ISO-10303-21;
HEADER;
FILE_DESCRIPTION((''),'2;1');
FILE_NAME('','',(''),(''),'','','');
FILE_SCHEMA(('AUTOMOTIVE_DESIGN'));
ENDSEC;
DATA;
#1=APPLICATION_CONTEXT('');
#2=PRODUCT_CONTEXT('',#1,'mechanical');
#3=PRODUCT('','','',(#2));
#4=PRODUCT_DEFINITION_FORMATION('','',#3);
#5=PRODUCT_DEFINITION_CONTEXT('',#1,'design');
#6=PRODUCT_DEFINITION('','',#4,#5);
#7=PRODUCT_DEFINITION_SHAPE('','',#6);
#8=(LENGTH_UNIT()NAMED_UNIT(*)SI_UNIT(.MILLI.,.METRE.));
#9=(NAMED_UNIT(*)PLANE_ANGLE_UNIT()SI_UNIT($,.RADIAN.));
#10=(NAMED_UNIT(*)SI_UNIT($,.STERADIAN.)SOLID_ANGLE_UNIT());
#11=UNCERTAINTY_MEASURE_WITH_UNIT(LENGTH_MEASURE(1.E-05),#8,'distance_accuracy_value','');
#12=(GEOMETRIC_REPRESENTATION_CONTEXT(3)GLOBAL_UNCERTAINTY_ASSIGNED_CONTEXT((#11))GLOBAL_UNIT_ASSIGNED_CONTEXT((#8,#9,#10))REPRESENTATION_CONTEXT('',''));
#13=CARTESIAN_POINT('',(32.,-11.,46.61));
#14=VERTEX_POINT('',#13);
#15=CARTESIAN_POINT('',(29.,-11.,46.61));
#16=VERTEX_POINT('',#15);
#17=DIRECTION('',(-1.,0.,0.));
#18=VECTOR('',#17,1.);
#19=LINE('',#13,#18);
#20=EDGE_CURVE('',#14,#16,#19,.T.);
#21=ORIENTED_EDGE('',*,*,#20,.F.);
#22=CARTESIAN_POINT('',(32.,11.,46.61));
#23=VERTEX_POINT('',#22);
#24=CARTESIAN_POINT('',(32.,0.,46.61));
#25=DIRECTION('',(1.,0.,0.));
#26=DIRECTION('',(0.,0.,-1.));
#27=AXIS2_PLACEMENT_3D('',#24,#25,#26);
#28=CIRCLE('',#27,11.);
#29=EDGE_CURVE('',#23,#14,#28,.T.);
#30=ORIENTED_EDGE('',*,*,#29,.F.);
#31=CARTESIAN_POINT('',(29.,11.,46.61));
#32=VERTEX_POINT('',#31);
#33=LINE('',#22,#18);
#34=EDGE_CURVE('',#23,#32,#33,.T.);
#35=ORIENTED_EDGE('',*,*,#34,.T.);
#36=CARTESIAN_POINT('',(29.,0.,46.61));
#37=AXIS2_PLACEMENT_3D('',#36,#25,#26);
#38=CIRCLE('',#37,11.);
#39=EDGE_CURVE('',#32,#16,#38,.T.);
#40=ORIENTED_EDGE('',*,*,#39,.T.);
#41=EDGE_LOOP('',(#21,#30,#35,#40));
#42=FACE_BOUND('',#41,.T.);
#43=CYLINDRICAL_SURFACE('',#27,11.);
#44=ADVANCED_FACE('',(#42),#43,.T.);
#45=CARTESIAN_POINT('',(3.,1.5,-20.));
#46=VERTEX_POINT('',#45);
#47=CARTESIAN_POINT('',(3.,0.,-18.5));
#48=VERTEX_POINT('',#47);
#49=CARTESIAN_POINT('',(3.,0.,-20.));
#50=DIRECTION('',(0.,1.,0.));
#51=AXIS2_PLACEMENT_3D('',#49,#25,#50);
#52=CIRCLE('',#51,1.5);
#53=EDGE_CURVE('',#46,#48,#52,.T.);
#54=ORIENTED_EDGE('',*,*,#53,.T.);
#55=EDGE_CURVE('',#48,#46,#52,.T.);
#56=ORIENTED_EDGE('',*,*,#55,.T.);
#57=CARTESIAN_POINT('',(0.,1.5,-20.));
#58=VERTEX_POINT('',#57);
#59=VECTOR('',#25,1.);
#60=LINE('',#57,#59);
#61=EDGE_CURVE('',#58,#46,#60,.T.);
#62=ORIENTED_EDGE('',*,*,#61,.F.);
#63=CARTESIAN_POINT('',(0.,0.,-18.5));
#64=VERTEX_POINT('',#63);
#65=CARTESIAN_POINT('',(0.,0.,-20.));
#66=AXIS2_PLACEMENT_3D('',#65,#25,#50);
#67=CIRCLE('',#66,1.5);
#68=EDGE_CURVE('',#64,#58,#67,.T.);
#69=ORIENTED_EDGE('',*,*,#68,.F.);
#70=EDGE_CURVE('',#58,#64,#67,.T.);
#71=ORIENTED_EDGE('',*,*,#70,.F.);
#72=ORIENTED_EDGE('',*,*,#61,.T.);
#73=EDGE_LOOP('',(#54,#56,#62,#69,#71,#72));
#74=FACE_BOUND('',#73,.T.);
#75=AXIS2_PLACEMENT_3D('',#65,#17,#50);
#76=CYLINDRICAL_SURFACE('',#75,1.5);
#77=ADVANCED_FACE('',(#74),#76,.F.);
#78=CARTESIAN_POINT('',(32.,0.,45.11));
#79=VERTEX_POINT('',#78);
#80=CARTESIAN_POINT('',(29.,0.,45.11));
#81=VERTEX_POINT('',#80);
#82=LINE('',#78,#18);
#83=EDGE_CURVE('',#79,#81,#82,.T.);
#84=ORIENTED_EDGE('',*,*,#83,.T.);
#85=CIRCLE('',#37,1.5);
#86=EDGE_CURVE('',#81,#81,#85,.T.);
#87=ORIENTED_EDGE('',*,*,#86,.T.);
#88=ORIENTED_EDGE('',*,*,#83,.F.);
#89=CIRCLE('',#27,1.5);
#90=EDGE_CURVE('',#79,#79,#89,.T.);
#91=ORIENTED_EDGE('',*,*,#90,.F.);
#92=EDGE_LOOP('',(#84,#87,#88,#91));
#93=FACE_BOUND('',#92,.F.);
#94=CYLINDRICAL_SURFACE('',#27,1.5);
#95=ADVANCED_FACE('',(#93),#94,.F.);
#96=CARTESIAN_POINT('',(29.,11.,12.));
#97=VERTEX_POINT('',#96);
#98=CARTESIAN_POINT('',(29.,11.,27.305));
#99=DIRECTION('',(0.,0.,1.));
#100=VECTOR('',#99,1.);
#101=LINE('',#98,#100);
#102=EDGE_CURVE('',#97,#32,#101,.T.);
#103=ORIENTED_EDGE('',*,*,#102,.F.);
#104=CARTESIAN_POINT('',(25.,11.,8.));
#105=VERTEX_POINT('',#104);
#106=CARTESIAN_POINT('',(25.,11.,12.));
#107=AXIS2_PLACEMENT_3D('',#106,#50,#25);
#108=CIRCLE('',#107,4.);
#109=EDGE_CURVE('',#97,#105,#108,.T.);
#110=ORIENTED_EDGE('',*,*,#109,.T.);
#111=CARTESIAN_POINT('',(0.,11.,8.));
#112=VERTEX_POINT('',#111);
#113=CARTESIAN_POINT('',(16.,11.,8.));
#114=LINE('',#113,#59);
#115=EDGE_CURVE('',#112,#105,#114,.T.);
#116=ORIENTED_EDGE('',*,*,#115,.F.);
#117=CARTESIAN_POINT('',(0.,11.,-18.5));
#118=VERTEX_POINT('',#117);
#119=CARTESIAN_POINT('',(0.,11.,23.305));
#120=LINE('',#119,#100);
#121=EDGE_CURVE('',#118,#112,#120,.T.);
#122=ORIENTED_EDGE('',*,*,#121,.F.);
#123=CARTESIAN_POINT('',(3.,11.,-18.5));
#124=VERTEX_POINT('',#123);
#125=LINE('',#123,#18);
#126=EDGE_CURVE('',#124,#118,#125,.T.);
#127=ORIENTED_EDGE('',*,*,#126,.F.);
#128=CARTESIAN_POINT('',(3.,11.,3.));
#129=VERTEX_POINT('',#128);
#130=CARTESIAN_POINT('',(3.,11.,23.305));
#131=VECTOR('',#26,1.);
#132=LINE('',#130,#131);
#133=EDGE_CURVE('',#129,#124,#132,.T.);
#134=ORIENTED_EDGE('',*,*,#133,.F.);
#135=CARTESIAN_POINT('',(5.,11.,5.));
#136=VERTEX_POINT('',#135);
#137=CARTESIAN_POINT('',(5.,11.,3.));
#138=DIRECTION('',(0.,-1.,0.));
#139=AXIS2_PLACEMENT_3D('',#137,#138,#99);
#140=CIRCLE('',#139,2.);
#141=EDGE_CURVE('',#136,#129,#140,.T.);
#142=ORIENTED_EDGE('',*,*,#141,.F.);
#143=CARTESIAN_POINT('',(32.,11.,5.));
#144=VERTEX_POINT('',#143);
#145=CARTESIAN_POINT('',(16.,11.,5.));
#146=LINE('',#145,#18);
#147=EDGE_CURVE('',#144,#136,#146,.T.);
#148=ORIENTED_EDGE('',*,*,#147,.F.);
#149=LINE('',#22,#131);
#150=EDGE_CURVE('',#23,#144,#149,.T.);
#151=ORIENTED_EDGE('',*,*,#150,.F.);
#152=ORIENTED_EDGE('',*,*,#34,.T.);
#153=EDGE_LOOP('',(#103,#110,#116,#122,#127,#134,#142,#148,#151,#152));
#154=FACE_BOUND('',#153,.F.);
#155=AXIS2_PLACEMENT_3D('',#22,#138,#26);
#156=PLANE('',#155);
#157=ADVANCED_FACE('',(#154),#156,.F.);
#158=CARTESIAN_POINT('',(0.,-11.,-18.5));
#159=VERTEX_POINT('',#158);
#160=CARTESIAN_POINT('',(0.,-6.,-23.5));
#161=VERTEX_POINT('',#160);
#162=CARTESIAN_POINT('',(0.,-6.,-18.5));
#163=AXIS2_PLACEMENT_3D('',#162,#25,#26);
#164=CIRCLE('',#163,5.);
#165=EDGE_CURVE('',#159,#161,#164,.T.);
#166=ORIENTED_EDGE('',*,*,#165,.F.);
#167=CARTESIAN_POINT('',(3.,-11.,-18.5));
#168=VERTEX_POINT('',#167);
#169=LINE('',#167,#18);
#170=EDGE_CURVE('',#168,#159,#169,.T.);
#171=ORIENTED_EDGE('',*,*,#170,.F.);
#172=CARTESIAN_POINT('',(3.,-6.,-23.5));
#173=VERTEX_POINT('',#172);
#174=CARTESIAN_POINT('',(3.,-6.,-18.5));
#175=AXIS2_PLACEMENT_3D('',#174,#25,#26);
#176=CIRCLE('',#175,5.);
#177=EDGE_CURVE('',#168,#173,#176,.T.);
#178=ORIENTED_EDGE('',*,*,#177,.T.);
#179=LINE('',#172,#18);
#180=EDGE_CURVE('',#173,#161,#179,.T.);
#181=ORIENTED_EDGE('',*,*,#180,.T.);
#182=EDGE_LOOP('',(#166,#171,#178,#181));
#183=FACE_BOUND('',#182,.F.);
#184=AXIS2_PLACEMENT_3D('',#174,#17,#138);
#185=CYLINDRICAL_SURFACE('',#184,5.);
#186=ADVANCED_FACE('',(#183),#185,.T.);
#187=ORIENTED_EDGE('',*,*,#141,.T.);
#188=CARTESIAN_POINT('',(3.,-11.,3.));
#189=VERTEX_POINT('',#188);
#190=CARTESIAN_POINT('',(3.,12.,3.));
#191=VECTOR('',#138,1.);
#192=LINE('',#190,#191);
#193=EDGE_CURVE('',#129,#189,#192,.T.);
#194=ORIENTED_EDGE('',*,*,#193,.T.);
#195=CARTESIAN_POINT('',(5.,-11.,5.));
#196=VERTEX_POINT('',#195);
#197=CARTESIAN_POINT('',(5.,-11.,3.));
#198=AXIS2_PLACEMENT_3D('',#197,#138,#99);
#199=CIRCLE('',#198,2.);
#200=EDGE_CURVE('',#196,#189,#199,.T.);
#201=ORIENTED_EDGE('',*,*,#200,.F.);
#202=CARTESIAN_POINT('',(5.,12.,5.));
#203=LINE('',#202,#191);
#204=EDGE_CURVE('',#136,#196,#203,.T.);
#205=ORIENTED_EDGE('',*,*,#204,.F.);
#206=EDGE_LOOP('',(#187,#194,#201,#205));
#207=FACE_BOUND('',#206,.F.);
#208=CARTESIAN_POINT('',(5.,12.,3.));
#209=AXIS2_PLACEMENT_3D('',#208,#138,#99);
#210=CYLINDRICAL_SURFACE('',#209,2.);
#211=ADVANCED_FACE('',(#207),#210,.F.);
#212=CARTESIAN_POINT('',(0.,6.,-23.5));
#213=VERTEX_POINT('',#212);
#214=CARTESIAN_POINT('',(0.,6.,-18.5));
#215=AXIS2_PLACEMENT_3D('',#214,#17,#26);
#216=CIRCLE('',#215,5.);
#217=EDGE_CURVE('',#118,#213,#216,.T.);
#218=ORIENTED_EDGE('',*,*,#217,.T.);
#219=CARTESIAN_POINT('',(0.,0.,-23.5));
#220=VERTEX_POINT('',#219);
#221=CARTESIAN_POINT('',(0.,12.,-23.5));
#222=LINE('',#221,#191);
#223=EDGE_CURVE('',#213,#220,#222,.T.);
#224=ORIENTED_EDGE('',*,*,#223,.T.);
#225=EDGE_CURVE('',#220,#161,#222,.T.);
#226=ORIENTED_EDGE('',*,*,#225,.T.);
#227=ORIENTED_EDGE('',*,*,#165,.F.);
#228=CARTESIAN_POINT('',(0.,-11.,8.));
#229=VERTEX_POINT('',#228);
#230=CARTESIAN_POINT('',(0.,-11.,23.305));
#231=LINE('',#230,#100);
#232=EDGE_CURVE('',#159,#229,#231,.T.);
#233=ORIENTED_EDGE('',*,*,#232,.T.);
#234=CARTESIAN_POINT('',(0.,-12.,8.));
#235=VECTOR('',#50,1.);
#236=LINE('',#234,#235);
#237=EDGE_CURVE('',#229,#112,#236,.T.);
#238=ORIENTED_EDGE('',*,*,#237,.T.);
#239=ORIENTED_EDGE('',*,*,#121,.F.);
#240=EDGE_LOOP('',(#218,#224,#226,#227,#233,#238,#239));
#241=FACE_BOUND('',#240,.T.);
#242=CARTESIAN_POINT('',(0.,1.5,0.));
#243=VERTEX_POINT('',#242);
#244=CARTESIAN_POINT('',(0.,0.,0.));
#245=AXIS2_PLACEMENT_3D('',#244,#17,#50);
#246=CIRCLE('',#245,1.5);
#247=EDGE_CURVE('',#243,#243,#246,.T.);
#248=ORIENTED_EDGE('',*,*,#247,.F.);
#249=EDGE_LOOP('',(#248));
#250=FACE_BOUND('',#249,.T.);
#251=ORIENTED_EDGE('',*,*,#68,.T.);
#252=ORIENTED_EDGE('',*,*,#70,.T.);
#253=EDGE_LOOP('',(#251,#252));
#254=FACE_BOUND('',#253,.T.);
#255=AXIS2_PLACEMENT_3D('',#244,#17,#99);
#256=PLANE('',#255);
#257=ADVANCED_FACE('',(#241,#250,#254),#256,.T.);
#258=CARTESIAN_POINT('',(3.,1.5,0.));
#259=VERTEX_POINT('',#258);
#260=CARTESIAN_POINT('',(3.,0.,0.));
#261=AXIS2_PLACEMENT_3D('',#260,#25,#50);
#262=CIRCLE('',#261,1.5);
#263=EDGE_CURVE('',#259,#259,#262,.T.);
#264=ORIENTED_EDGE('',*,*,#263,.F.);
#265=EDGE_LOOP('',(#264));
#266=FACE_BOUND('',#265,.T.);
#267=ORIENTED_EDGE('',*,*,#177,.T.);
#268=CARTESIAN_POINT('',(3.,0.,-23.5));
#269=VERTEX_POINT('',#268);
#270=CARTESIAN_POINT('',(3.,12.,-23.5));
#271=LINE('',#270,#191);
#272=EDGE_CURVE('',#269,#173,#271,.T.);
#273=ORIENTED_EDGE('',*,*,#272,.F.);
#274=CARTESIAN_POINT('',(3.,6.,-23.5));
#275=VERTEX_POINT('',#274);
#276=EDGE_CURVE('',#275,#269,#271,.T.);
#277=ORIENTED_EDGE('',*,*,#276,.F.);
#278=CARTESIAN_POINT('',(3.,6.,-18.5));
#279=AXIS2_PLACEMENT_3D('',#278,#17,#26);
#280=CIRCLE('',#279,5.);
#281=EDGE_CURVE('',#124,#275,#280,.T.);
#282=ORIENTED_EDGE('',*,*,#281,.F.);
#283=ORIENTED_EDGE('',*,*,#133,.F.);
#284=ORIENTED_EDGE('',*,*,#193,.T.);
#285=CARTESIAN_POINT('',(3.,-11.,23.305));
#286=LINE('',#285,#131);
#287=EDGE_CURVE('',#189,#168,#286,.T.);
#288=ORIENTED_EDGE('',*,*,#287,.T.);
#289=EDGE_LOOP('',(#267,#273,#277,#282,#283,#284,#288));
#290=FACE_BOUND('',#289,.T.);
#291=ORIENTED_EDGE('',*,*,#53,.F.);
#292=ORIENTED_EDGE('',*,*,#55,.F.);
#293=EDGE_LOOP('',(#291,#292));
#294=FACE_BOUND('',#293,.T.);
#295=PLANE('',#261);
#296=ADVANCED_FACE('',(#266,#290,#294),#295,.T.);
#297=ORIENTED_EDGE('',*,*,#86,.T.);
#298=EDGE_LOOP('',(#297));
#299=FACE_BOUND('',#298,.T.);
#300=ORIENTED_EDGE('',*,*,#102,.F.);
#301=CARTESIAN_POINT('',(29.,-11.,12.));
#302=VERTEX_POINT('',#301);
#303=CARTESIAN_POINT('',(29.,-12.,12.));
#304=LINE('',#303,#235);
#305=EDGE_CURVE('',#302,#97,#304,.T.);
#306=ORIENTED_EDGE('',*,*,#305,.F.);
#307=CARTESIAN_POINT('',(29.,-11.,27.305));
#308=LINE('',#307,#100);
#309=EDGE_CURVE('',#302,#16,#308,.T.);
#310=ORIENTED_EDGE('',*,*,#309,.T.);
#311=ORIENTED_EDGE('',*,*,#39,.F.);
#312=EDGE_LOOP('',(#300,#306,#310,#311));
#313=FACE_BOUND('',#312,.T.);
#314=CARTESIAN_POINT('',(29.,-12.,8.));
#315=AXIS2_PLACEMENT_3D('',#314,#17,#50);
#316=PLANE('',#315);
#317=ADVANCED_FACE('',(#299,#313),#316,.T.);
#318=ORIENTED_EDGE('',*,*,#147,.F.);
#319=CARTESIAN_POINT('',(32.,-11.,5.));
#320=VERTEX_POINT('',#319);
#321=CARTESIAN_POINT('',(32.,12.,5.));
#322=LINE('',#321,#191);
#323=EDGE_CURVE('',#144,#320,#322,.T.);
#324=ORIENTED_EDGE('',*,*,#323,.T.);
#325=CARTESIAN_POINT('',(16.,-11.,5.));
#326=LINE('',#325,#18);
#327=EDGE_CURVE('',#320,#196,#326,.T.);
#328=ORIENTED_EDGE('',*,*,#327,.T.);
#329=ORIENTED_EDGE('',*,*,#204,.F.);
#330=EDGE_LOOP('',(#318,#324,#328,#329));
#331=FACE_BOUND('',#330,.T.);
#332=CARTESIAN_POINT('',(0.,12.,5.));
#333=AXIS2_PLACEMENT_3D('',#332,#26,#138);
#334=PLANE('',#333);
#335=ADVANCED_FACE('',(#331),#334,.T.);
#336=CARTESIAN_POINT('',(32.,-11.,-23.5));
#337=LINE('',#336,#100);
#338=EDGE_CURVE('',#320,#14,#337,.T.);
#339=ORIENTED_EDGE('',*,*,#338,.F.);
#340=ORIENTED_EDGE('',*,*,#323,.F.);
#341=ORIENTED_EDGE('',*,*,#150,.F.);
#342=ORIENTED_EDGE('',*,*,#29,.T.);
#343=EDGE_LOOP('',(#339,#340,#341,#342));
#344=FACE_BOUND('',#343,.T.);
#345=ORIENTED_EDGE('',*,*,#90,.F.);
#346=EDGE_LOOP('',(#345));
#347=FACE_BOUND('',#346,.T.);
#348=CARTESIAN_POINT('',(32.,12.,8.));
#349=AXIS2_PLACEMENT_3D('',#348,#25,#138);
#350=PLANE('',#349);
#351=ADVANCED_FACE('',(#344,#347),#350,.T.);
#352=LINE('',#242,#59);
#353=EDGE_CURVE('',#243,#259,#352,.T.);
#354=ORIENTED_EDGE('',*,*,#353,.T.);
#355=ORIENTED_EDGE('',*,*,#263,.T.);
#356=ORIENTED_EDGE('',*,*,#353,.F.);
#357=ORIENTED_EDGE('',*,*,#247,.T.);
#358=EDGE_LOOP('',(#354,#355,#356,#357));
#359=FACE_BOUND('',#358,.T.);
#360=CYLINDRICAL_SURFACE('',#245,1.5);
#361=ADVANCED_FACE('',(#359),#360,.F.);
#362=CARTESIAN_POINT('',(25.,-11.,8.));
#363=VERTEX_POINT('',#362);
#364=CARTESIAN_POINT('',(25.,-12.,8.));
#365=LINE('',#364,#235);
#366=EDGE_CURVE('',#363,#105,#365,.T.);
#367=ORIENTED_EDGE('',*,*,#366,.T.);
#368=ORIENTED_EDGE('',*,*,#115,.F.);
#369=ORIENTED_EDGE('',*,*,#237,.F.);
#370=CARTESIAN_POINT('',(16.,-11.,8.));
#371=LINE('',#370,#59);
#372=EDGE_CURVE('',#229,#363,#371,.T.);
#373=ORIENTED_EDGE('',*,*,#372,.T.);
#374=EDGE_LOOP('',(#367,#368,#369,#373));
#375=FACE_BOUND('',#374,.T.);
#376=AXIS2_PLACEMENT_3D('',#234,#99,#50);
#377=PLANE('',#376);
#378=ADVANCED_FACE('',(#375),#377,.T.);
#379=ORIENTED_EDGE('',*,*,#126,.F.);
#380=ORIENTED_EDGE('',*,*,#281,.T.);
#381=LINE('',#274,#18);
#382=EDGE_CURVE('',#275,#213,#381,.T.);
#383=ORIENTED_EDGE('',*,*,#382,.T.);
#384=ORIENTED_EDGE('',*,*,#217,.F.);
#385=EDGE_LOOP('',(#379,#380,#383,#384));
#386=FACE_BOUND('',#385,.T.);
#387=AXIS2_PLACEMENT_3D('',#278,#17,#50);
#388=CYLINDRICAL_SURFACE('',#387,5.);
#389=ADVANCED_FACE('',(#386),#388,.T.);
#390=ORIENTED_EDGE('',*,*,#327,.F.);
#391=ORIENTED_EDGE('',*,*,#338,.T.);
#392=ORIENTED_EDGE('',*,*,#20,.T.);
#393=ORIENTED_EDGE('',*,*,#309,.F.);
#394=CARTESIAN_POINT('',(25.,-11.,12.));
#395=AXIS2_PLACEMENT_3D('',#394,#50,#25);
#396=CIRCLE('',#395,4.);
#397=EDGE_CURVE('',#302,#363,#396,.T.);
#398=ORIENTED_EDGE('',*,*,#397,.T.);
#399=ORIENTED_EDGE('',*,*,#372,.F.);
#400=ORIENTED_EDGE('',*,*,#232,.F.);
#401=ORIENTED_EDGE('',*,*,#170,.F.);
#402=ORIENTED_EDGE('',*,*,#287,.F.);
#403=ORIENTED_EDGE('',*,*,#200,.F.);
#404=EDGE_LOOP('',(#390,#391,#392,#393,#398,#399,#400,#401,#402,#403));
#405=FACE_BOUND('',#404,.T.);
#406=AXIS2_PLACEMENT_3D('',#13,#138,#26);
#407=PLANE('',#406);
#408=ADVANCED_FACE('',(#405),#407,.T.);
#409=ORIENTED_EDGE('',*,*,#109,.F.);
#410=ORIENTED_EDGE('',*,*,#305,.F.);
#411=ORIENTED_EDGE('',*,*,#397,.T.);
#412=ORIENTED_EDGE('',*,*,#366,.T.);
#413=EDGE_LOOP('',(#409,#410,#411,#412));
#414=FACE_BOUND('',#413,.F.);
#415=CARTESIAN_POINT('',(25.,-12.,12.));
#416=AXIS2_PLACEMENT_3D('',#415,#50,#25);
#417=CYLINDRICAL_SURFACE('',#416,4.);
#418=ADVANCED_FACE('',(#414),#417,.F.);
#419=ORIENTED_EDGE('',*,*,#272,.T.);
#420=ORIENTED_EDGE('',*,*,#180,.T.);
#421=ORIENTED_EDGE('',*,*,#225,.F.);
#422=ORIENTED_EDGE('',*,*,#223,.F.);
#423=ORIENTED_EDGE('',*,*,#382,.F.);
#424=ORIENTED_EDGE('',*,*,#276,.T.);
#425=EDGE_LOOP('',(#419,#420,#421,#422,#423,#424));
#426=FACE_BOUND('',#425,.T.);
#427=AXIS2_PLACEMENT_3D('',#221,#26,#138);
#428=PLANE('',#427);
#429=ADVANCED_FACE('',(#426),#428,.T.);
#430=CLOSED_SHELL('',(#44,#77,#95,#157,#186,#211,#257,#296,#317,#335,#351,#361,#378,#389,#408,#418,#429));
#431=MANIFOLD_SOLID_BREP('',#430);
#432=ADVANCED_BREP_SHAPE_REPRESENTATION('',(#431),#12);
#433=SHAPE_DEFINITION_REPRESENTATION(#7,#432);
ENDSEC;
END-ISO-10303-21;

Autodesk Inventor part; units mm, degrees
ref_plane "YZ Plane" through (0, 0, 0) normal (1, 0, 0) x (0, 1, 0)
ref_plane "XZ Plane" through (0, 0, 0) normal (0, 1, 0) x (-1, 0, 0)
ref_plane "XY Plane" through (0, 0, 0) normal (0, 0, 1) x (1, 0, 0)
sketch "Sketch1" plane through (0, 0, 0) normal (1, 0, 0) x (0, 1, 0)
  circle A0 centre (0, 0) radius 1.5
  circle A1 centre (0, -20) radius 1.5
  line L0 (0, 0) -> (12, 0)
  line L1 (12, 0) -> (12, -20)
  line L2 (0, 0) -> (-12, 0)
  line L3 (-12, 0) -> (-12, -20)
  arc A2 (0, -16.5) -> (0, -23.5) centre (0, -20) ccw
  line L4 (12, -20) -> (12, -23.5)
  line L5 (12, -23.5) -> (-12, -23.5)
  line L6 (-12, -23.5) -> (-12, -20)
  line L7 (0, 0) -> (0, -1.5)
  line L8 (0, -16.5) -> (0, -20)
  line L9 (12, 0) -> (12, 5)
  line L10 (12, 5) -> (-12, 5)
  line L11 (-12, 5) -> (-12, 0)
  dimension "d0" = 3
  dimension "d1" = 20
  dimension "d2" = 3
  dimension "d3" = 12
  dimension "d4" = 12
  dimension "d5" = 7
  dimension "d6" = 5
extrude "Extrusion1" add sketch "Sketch1" along normal blind 3 contours A0 L0 L1 L4 L5 L6 L3 L2 | A0 L2 L11 L10 L9 L0
sketch "Sketch2" plane through (0, 0, 0) normal (-1, 0, 0) x (0, 0, 1)
  line L0 (-23.5, 12) -> (5, 12) projected
  line L1 (-23.5, -12) -> (-23.5, 12) projected
  line L2 (5, -12) -> (-23.5, -12) projected
  line L3 (5, 12) -> (5, -12) projected
  circle A0 centre (-20, 0) radius 1.5 projected
  circle A1 centre (0, 0) radius 1.5 projected
  line L4 (5, 12) -> (5, -12) projected
  line L5 (5, -12) -> (8, -12)
  line L6 (8, -12) -> (8, 12)
  line L7 (-23.5, 12) -> (5, 12) projected
  line L8 (8, 12) -> (5, 12)
  dimension "d9" = 3
extrude "Extrusion2" add sketch "Sketch2" against normal blind 32 contours L8 L6 L5 L3
sketch "Sketch3" plane through (0, -12, 8) normal (0, 0, 1) x (1, 0, 0)
  line L0 (0, 0) -> (0, 24) projected
  line L1 (0, 0) -> (32, 0) projected
  line L2 (32, 24) -> (32, 0) projected
  line L3 (0, 24) -> (32, 24) projected
  line L4 (32, 24) -> (32, 0) projected
  line L5 (32, 0) -> (29, 0)
  line L6 (0, 0) -> (32, 0) projected
  line L7 (29, 0) -> (29, 24)
  line L8 (0, 24) -> (32, 24) projected
  point P0 (0, 12)
  dimension "d12" = 3
extrude "Extrusion3" add sketch "Sketch3" along normal blind 50 contours L7 L3 L2 L1
sketch "Sketch4" plane through (32, 0, 0) normal (1, 0, 0) x (0, 0, -1)
  line L0 (-5, -12) -> (-5, 12) projected
  line L1 (-5, 12) -> (-58, 12) projected
  line L2 (-58, -12) -> (-58, 12) projected
  line L3 (-5, -12) -> (-58, -12) projected
  line L4 (23.5, 12) -> (-5, 12) projected
  line L5 (-5, 12) -> (-5, 0)
  line L6 (-5, -12) -> (-5, 12) projected
  line L7 (-5, 0) -> (-46.61, 0)
  circle A0 centre (-46.61, 0) radius 1.5
  point P0 (0, 0)
  dimension "d15" = 12
  dimension "d16" = 41.61
  dimension "d17" = 3
extrude "Extrusion4" cut sketch "Sketch4" against normal blind 50 contours A0
fillet "Fillet1" radius 2 1 edges at (3, 0, 5)
fillet "Fillet2" radius 4 1 edges at (29, 0, 8)
sketch "Sketch5" plane through (32, 0, 0) normal (1, 0, 0) x (0, 0, -1)
  circle A0 centre (-46.61, 0) radius 1.5 projected
  line L0 (-5, -12) -> (-5, 12) projected
  line L1 (-5, 12) -> (-58, 12) projected
  line L2 (-58, -12) -> (-58, 12) projected
  line L3 (-5, -12) -> (-58, -12) projected
  circle A1 centre (-46.61, 0) radius 1.5 projected
  circle A2 centre (-46.61, 0) radius 11
  line L4 (-3, 12) -> (-5, 12) projected
  line L5 (-5, 12) -> (-5, -12) projected
  line L6 (-5, -12) -> (-3, -12) projected
  line L7 (-3, -12) -> (-3, 12) projected
  line L8 (-3, -12) -> (-3, 12) projected
  line L9 (-3, -12) -> (23.5, -12) projected
  line L10 (23.5, -12) -> (23.5, 12) projected
  line L11 (23.5, 12) -> (-3, 12) projected
  circle A3 centre (20, 0) radius 1.5 projected
  circle A4 centre (0, 0) radius 1.5 projected
  line L12 (-46.61, 11) -> (23.5, 11)
  line L13 (23.5, -12) -> (23.5, 12) projected
  line L14 (-46.61, -11) -> (23.5, -11)
  dimension "d22" = 22
extrude "Extrusion5" cut sketch "Sketch5" against normal through all contours L3 L2 L1 L0 L12 A2 L14 | L0 L14 L7 L6 | L7 L14 L10 L9 | L0 L4 L7 L12 | L7 L11 L10 L12
fillet "Fillet3" radius 5 2 edges at (1.5, -11, -23.5) (1.5, 11, -23.5)
properties part number "acople_2"
